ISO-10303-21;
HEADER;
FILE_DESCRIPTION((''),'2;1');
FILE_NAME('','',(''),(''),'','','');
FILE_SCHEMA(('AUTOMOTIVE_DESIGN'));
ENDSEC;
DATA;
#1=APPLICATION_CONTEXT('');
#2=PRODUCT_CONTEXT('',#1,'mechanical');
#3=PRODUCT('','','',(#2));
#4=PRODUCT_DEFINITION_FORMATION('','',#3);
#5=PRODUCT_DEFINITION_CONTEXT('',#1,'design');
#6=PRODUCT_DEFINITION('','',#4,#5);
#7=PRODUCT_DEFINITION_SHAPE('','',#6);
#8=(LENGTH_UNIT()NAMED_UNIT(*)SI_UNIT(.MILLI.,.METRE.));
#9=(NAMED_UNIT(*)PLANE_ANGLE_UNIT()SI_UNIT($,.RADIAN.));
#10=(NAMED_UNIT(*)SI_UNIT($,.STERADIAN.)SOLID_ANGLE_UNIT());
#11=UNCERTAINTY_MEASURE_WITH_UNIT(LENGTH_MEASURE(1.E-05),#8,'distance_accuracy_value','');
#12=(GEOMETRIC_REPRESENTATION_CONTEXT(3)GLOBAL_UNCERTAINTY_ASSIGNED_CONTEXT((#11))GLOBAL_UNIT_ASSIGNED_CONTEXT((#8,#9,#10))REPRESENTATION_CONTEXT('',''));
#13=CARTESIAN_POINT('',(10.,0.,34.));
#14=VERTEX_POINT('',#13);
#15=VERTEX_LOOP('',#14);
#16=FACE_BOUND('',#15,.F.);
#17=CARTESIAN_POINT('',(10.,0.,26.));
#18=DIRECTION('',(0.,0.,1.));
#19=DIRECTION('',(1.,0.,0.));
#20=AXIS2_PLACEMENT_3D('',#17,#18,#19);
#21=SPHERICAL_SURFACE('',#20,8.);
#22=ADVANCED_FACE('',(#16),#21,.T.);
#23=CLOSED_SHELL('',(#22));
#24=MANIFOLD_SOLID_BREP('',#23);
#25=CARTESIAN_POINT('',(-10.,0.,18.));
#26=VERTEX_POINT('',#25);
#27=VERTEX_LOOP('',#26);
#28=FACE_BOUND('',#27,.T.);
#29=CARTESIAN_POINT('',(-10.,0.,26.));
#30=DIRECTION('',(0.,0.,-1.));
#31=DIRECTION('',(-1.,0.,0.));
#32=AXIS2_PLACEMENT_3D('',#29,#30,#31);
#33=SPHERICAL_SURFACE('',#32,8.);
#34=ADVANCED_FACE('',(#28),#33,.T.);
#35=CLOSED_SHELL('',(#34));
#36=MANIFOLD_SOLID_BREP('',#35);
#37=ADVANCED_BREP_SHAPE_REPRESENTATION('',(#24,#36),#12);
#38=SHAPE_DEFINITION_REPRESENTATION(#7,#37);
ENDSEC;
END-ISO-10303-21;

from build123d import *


with BuildPart() as f1:
    # F0 (on Front) → F1 (revolve)
    with BuildSketch(Plane.XZ):
        with BuildLine():
            Line((-10, 18), (-10, 34))
            ThreePointArc((-10, 34), (-18, 26), (-10, 18))
        make_face()
    revolve(axis=Axis((-10, 0, 26), (0, 0, -1)))


with BuildPart() as f2:
    # F0 (on Front) → F2 (revolve)
    with BuildSketch(Plane.XZ):
        with BuildLine():
            ThreePointArc((10, 18), (18, 26), (10, 34))
            Line((10, 34), (10, 18))
        make_face()
    revolve(axis=Axis((10, 0, 26), (0, 0, -1)))


solid = Compound([f1.part, f2.part])
